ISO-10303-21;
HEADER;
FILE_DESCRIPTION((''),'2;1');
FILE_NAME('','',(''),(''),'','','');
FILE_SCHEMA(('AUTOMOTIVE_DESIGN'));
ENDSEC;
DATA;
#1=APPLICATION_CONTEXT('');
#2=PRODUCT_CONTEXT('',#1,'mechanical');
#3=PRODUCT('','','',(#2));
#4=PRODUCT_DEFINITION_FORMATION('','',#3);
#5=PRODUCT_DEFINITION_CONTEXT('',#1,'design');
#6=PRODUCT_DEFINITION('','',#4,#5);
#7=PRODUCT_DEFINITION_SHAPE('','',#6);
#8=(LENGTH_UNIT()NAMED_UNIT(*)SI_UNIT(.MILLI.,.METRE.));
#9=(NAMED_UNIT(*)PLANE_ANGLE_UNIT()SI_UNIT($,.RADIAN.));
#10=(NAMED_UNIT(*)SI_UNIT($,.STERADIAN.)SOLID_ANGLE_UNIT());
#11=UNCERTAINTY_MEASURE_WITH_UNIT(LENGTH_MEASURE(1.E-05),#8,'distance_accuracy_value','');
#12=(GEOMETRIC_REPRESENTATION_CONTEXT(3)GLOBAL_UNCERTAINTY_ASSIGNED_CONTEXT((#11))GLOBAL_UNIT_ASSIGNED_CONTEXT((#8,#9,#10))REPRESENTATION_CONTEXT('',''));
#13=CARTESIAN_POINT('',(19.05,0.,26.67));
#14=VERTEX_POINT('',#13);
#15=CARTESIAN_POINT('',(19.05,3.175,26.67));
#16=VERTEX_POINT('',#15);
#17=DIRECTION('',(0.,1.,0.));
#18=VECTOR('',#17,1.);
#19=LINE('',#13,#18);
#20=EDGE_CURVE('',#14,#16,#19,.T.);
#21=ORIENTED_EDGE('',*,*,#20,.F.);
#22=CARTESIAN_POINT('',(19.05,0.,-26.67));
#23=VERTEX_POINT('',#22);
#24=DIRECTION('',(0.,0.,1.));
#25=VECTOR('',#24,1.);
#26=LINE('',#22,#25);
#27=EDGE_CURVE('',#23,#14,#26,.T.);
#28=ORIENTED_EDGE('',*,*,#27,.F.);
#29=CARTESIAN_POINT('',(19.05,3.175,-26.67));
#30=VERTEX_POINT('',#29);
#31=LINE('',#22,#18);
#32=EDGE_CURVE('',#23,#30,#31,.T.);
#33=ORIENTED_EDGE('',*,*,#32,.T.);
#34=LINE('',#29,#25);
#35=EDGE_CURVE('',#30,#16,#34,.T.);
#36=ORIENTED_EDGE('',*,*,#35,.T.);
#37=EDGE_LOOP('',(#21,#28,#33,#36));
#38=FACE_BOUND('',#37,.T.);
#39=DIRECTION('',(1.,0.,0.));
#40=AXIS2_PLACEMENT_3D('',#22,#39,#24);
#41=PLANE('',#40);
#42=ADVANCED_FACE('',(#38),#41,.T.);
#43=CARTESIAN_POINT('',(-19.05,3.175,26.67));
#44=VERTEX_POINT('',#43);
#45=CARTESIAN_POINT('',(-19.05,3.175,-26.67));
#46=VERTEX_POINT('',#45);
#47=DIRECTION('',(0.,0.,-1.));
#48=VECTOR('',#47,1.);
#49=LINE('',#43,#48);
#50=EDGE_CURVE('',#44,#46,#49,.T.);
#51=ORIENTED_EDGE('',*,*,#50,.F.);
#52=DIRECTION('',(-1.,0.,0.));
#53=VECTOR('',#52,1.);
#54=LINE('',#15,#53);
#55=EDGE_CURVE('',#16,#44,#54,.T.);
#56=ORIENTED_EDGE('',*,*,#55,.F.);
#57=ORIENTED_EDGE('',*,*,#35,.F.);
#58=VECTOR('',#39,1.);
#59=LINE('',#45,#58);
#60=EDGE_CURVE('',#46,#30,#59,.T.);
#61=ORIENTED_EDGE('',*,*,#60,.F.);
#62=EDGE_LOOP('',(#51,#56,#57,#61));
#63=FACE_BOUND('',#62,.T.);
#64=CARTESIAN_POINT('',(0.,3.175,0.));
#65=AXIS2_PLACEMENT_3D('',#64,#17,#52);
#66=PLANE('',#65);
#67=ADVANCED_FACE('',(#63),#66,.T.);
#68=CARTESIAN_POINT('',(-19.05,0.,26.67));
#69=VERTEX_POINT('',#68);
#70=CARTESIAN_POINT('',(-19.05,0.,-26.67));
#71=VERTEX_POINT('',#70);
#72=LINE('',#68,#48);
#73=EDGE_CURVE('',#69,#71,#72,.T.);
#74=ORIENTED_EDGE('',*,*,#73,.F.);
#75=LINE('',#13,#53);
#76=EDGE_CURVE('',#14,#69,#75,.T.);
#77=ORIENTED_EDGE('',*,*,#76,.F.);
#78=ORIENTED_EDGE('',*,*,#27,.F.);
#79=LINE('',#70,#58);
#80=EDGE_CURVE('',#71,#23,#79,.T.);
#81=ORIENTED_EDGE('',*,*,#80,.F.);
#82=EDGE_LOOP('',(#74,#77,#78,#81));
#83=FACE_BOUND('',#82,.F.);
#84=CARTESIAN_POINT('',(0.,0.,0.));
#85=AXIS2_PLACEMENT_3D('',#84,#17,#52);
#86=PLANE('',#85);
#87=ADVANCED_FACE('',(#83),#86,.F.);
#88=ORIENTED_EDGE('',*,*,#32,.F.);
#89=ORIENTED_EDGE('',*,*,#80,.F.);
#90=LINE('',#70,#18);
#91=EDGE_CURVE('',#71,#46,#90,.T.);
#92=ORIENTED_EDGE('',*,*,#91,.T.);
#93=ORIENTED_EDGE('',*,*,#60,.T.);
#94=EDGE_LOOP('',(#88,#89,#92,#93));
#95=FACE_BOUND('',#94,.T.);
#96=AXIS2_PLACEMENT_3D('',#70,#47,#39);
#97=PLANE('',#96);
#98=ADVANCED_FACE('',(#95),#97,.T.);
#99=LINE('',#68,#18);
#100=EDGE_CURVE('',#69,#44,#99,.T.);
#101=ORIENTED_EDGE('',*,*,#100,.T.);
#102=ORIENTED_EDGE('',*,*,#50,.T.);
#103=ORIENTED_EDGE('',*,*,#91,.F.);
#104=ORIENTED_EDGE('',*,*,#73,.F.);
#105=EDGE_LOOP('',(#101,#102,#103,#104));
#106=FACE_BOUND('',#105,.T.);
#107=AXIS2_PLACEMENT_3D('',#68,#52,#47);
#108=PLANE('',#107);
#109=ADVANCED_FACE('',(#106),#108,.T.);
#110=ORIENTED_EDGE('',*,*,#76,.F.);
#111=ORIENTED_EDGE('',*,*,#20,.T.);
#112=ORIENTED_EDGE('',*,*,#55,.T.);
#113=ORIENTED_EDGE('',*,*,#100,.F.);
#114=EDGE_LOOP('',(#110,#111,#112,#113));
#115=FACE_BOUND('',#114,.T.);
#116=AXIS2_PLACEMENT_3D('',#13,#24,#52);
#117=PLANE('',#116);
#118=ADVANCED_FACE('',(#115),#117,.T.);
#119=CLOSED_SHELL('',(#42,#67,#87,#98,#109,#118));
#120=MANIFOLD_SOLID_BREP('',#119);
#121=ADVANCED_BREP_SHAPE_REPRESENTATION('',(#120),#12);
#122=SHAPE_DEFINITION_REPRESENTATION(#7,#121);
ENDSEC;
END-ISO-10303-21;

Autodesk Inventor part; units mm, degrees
ref_plane "YZ Plane" through (0, 0, 0) normal (1, 0, 0) x (0, 1, 0)
ref_plane "XZ Plane" through (0, 0, 0) normal (0, 1, 0) x (-1, 0, 0)
ref_plane "XY Plane" through (0, 0, 0) normal (0, 0, 1) x (1, 0, 0)
sketch "Sketch1" plane through (0, 0, 0) normal (0, 1, 0) x (-1, 0, 0)
  line L0 (19.05, -26.67) -> (-19.05, -26.67)
  line L1 (-19.05, -26.67) -> (-19.05, 26.67)
  line L2 (-19.05, 26.67) -> (19.05, 26.67)
  line L3 (19.05, 26.67) -> (19.05, -26.67)
  point P0 (0, 0)
  dimension "d0" = 53.34
  dimension "d1" = 19.05
  dimension "d2" = 38.1
  dimension "d3" = 26.67
extrude "bottom panel" add sketch "Sketch1" along normal blind 3.175
properties part number "CURM_CaterpillarBody"
